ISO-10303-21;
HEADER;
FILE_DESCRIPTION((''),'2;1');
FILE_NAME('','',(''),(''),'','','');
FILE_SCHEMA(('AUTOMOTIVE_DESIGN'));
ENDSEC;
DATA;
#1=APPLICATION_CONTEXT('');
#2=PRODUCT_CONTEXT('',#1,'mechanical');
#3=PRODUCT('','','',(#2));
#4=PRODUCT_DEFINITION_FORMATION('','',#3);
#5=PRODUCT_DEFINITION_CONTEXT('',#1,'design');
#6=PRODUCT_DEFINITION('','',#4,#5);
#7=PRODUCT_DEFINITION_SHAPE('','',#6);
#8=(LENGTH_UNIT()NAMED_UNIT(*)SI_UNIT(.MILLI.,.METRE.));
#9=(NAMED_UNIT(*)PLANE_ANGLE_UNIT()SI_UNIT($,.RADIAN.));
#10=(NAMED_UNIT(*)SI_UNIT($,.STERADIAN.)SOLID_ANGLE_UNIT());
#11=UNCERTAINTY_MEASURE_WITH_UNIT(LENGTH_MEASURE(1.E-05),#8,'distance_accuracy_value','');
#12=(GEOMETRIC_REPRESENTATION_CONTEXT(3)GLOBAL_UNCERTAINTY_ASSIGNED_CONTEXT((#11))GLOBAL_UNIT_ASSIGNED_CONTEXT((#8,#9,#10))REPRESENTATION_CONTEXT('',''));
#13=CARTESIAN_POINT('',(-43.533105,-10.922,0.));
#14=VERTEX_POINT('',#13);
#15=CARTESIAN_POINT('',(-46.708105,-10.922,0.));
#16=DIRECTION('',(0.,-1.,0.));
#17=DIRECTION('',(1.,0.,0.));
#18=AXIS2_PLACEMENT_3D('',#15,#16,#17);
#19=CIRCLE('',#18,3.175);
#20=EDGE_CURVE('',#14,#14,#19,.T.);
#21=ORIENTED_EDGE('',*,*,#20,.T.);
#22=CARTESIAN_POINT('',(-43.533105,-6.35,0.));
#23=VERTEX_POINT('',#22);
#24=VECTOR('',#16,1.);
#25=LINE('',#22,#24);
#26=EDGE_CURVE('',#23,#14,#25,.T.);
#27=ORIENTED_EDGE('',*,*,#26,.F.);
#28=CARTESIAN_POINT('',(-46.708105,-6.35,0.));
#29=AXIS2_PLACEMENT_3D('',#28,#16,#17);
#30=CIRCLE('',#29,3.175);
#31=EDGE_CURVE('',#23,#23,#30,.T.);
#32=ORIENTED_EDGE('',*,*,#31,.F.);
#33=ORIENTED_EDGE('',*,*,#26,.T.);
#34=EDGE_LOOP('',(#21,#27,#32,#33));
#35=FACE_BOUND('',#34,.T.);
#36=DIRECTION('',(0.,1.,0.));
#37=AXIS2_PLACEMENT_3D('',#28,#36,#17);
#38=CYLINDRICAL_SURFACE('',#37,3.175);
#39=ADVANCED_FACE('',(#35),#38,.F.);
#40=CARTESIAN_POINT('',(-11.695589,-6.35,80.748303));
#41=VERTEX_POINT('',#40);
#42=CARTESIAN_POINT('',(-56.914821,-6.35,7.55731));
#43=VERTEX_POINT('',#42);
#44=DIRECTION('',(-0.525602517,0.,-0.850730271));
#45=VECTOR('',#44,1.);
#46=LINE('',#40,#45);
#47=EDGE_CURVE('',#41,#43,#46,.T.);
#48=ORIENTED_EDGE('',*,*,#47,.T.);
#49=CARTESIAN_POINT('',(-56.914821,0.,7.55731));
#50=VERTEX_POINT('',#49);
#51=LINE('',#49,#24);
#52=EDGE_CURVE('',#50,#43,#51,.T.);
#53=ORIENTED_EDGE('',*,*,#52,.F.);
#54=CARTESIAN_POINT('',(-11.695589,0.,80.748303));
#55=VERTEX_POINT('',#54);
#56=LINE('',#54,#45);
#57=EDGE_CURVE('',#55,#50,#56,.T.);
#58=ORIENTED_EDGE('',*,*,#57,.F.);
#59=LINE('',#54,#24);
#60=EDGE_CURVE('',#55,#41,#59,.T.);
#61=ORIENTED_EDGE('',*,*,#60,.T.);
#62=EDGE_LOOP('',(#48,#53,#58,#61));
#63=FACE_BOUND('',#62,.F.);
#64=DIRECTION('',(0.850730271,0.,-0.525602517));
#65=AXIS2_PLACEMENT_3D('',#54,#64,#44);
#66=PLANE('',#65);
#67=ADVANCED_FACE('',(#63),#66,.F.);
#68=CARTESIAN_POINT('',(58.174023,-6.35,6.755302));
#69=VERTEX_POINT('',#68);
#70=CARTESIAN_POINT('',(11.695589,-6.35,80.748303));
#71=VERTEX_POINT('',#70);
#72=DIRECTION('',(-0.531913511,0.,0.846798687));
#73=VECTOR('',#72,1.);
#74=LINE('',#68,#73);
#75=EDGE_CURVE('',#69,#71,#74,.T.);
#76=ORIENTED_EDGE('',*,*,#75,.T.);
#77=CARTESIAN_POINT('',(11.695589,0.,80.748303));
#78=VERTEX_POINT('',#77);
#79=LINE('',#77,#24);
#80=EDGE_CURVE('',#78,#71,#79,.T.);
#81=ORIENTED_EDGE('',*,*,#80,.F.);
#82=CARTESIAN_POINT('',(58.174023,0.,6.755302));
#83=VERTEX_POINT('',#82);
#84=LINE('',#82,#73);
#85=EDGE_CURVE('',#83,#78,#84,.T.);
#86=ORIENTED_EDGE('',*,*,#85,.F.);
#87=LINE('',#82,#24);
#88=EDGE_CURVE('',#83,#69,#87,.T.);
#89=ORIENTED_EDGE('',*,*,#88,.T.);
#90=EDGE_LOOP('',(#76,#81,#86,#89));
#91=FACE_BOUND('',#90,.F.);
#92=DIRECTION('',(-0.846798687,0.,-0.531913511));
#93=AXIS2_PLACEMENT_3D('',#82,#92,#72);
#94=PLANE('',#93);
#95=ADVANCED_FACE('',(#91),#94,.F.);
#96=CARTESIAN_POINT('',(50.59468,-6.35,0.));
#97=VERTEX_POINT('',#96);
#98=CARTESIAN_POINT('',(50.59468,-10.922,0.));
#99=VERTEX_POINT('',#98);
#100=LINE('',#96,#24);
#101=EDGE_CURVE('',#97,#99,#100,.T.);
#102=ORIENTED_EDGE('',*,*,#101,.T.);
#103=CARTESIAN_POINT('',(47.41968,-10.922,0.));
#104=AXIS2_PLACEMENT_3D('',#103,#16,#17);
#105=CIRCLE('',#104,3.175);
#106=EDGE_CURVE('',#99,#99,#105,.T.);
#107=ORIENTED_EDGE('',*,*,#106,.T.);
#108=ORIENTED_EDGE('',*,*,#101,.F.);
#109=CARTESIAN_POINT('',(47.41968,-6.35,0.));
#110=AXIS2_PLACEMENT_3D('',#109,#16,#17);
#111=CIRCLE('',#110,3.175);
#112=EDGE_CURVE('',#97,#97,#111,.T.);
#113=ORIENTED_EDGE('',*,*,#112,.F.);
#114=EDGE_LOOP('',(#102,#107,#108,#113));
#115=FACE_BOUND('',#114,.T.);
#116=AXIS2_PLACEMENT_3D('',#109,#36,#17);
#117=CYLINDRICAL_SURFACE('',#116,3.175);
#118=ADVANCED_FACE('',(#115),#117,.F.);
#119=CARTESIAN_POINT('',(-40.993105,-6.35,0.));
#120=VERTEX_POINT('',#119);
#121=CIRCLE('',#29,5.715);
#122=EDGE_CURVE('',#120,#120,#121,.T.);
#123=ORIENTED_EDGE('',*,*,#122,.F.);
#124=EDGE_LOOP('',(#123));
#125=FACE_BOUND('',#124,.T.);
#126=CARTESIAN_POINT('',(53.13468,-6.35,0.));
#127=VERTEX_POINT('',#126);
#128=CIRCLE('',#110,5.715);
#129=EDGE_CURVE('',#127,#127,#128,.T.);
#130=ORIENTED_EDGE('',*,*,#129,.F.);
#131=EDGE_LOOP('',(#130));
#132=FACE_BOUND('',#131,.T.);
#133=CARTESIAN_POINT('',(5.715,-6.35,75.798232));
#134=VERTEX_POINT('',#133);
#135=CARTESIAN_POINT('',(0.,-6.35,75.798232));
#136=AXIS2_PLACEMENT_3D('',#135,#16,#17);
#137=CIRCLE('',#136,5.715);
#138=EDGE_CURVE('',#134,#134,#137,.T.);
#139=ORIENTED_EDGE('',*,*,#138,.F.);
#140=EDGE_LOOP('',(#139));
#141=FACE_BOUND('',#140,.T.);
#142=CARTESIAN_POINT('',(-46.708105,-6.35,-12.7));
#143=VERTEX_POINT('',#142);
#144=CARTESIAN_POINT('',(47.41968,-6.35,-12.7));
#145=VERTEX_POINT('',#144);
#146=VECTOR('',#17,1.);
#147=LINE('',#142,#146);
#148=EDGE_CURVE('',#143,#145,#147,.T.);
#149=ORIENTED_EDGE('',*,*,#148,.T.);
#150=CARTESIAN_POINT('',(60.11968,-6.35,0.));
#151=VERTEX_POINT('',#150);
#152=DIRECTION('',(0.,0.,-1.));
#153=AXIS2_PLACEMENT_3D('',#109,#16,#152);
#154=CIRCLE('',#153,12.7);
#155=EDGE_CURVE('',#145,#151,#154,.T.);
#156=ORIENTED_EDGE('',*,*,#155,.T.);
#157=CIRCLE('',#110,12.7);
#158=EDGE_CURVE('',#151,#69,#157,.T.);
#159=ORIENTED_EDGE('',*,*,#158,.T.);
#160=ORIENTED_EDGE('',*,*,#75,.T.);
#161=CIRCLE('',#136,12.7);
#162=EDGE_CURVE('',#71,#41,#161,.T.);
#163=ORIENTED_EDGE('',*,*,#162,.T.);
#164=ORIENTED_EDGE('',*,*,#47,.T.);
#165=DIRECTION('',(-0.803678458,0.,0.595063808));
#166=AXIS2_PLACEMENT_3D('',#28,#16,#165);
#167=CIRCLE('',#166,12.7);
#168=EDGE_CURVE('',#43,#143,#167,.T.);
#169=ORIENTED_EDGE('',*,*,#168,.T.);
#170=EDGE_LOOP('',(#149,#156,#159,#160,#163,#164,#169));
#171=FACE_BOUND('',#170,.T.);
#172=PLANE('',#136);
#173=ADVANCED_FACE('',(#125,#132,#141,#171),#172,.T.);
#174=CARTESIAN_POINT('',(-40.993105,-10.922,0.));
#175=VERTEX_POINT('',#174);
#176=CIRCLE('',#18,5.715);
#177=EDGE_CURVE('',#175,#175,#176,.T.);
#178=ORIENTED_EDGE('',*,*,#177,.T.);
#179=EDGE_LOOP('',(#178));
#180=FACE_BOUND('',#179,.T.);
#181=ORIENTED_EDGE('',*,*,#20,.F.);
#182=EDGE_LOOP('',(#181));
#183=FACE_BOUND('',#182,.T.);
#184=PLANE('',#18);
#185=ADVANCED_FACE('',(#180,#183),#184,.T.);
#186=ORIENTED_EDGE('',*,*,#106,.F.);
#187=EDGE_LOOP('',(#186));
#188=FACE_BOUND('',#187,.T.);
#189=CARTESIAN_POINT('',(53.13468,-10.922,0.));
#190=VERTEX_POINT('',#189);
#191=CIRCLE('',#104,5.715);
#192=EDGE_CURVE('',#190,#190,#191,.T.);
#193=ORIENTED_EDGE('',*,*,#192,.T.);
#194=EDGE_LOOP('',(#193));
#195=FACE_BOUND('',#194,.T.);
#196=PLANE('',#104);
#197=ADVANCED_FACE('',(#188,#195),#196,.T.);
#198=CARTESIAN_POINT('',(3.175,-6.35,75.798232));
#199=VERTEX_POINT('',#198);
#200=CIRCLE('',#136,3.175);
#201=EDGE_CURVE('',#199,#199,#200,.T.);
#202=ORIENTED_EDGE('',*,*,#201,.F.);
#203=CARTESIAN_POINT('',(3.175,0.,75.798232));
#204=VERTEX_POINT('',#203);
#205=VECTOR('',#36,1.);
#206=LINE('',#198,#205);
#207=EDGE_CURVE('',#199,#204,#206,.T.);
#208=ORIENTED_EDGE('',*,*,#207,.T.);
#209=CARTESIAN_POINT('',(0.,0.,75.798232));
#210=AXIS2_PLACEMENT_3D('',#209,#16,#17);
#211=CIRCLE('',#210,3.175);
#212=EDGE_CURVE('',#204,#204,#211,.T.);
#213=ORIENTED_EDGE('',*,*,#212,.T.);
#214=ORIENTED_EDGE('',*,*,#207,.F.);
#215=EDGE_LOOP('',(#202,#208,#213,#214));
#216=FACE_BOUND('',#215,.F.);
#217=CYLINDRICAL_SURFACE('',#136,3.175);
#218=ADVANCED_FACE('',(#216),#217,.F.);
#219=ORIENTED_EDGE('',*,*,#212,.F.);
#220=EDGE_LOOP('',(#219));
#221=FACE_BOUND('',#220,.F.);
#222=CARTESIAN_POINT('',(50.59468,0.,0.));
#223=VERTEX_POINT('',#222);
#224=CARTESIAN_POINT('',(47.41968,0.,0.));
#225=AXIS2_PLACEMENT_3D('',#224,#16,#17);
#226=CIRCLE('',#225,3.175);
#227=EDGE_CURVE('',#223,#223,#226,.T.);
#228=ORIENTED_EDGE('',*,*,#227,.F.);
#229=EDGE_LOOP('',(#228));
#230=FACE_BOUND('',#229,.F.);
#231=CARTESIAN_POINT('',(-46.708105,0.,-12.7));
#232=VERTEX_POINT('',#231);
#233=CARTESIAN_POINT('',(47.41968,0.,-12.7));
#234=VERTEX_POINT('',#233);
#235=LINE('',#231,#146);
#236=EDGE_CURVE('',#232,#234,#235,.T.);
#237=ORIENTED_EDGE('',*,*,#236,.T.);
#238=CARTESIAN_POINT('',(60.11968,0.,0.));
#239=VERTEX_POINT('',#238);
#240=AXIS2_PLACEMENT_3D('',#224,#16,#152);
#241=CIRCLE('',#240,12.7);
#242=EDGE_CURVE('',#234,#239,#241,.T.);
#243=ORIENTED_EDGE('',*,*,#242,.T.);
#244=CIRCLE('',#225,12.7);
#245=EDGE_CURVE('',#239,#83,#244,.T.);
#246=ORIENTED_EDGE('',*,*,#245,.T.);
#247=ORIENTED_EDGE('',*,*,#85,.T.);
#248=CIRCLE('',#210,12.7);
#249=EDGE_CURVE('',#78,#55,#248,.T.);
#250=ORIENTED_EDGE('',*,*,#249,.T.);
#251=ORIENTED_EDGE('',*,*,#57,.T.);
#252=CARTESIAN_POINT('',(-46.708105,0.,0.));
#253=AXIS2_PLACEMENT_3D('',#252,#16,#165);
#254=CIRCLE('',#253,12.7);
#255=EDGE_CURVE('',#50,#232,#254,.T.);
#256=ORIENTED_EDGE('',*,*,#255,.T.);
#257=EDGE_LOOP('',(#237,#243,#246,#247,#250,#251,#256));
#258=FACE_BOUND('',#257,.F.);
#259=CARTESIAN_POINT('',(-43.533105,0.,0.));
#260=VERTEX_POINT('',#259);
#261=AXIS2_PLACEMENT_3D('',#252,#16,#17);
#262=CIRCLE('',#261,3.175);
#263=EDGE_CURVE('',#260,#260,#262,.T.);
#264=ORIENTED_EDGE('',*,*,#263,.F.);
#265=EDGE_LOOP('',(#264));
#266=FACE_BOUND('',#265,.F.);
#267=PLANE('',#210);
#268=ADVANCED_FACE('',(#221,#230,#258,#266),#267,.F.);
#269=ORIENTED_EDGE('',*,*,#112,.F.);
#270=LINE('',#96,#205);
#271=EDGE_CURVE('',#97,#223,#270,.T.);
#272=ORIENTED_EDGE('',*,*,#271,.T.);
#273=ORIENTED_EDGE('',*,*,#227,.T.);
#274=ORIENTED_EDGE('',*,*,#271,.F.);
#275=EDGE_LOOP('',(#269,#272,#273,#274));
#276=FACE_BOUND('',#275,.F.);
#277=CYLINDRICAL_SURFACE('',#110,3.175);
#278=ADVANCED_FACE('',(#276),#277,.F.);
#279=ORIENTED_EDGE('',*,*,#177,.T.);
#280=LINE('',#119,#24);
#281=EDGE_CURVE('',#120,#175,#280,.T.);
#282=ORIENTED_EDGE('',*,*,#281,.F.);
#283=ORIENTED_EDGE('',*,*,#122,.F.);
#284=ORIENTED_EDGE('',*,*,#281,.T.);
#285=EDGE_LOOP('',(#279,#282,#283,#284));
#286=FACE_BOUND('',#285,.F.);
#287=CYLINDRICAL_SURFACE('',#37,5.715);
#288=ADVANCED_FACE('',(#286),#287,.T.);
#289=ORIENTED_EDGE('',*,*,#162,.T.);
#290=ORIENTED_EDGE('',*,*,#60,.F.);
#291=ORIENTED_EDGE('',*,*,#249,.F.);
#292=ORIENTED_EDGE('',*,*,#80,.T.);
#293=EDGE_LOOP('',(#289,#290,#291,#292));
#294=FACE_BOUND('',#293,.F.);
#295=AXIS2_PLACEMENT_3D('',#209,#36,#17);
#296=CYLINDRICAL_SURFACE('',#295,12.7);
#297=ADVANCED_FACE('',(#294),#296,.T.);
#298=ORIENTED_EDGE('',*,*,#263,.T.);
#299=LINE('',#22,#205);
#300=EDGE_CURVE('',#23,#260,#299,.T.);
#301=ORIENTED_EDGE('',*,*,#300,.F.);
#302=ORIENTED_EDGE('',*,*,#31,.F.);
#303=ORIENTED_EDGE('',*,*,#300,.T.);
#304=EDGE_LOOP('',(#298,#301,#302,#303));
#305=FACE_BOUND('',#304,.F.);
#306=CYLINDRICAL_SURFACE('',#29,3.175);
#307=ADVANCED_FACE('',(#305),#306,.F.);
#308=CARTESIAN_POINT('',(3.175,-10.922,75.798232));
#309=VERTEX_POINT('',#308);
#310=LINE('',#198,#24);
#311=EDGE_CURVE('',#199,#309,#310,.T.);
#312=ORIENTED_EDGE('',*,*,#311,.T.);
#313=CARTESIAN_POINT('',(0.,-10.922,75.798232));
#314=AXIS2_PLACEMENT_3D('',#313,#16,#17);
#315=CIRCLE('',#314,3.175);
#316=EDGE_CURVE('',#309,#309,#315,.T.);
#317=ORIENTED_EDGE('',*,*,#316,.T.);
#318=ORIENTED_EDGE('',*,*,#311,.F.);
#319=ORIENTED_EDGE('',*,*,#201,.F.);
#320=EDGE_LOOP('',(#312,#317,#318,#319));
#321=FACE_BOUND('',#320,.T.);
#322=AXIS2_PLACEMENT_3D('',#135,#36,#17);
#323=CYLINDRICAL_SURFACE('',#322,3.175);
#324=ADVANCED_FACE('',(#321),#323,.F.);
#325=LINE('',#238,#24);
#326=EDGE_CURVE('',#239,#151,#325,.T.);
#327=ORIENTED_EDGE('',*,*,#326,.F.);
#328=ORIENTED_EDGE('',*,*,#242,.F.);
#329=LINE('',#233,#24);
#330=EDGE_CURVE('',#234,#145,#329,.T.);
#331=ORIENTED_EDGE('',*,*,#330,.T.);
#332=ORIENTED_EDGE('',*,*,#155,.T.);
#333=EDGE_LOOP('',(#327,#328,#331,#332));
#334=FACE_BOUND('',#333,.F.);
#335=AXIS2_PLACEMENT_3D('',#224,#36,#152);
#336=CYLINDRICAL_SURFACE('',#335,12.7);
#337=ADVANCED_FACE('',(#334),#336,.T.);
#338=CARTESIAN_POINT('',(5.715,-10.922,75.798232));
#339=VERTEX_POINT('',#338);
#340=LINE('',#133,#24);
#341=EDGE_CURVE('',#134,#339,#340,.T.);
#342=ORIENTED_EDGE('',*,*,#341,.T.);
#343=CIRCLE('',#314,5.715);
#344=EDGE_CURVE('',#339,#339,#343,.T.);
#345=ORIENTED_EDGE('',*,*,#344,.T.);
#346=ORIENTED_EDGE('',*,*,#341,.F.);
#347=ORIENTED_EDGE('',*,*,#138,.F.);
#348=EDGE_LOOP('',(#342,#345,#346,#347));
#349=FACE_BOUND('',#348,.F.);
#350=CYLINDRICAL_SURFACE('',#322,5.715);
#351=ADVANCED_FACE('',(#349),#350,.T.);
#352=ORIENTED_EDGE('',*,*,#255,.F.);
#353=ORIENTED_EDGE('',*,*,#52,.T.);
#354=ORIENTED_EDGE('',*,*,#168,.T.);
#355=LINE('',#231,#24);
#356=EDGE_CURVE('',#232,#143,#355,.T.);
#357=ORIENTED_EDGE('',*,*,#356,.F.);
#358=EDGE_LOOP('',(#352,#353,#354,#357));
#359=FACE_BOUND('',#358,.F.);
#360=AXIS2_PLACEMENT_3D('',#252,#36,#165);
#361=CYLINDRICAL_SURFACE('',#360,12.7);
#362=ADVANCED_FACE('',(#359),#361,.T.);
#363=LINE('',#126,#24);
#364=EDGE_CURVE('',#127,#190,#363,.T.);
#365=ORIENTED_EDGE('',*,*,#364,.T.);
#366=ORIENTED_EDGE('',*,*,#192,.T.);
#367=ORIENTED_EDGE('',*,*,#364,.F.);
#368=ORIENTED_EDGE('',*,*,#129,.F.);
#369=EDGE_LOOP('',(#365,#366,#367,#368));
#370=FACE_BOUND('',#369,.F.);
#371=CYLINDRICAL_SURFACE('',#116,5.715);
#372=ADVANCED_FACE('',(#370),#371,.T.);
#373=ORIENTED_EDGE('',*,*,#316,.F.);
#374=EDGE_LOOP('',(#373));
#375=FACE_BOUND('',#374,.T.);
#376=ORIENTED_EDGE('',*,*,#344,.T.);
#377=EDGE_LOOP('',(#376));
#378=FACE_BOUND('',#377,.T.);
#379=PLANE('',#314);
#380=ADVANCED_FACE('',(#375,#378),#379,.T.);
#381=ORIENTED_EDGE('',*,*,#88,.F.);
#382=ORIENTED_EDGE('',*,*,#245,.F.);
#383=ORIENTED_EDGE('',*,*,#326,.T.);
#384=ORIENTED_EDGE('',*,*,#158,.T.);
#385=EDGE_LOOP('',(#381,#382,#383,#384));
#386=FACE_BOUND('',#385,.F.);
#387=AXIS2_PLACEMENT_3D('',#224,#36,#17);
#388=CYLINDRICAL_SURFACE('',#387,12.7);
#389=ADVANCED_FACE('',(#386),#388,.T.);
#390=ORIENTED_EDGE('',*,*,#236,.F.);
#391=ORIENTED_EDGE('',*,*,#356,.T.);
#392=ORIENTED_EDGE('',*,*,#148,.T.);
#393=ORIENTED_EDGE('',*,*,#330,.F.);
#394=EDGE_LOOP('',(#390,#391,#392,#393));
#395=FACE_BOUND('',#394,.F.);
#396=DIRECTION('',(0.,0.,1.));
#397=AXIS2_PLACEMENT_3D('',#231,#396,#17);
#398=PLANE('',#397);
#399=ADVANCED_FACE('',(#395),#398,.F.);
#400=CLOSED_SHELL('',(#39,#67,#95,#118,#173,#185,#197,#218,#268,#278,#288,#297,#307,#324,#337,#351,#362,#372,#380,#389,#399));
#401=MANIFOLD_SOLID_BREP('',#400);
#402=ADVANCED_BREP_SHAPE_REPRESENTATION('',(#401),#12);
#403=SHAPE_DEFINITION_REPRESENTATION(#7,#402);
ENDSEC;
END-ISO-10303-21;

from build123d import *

# Parameters (mm, degrees)
F1_DEPTH = 6.35
F2_R     = 3.175
F3_DEPTH = 25.4
F2_R_2   = 5.715
F4_DEPTH = 4.572


with BuildPart() as f1:
    # F0 (on Front) → F1 (new body)
    with BuildSketch(Plane.XZ):
        with BuildLine():
            ThreePointArc((-11.6955887006, 80.7483033067), (-2.5254725798, 63.3518676414), (12.7, 75.7982321005))
            ThreePointArc((12.7, 75.7982321005), (12.4463644591, 78.3237046803), (11.6955887006, 80.7483033067))
            ThreePointArc((11.6955887006, 80.7483033067), (0, 88.4982321005), (-11.6955887006, 80.7483033067))
        make_face()
        with BuildLine():
            ThreePointArc((11.6955887006, 80.7483033067), (12.4463644591, 78.3237046803), (12.7, 75.7982321005))
            ThreePointArc((12.7, 75.7982321005), (-2.5254725798, 63.3518676414), (-11.6955887006, 80.7483033067))
            Line((-11.6955887006, 80.7483033067), (-56.9148214828, 7.5573103616))
            ThreePointArc((-56.9148214828, 7.5573103616), (-42.7291164055, 12.06058246), (-34.0081050618, 0))
            ThreePointArc((-34.0081050618, 0), (-37.7278489407, -8.9802561211), (-46.7081050618, -12.7))
            Line((-46.7081050618, -12.7), (47.4196799213, -12.7))
            ThreePointArc((47.4196799213, -12.7), (36.3047725839, 6.1440080469), (58.1740232476, 6.7553015936))
            Line((58.1740232476, 6.7553015936), (11.6955887006, 80.7483033067))
        make_face()
        with BuildLine():
            Line((47.4196799213, -12.7), (58.1740232476, 6.7553015936))
            ThreePointArc((58.1740232476, 6.7553015936), (36.3047725839, 6.1440080469), (47.4196799213, -12.7))
        make_face()
        with BuildLine():
            ThreePointArc((60.1196799213, 0), (59.6235760255, 3.5149565969), (58.1740232476, 6.7553015936))
            Line((58.1740232476, 6.7553015936), (47.4196799213, -12.7))
            ThreePointArc((47.4196799213, -12.7), (56.3999360424, -8.9802561211), (60.1196799213, 0))
        make_face()
        with BuildLine():
            Line((-46.7081050618, -12.7), (-56.9148214828, 7.5573103616))
            ThreePointArc((-56.9148214828, 7.5573103616), (-58.0497945654, -5.7145497814), (-46.7081050618, -12.7))
        make_face()
        with BuildLine():
            ThreePointArc((-34.0081050618, 0), (-42.7291164055, 12.06058246), (-56.9148214828, 7.5573103616))
            Line((-56.9148214828, 7.5573103616), (-46.7081050618, -12.7))
            ThreePointArc((-46.7081050618, -12.7), (-37.7278489407, -8.9802561211), (-34.0081050618, 0))
        make_face()
    extrude(amount=F1_DEPTH)

    # F2 (on face) → F3 (cut)
    with BuildSketch(Plane.XZ.offset(6.35)):
        with Locations((-46.7081050618, 0)):
            Circle(F2_R)
        with Locations((47.4196799213, 0)):
            Circle(F2_R)
        with Locations((0, 75.7982321005)):
            Circle(F2_R)
    extrude(amount=-F3_DEPTH, mode=Mode.SUBTRACT)

    # F2 (on face) → F4 (join)
    with BuildSketch(Plane.XZ.offset(6.35)):
        with Locations((47.4196799213, 0)):
            Circle(F2_R_2)
        with Locations((47.4196799213, 0)):
            Circle(F2_R, mode=Mode.SUBTRACT)
        with Locations((-46.7081050618, 0)):
            Circle(F2_R_2)
        with Locations((-46.7081050618, 0)):
            Circle(F2_R, mode=Mode.SUBTRACT)
        with Locations((0, 75.7982321005)):
            Circle(F2_R_2)
        with Locations((0, 75.7982321005)):
            Circle(F2_R, mode=Mode.SUBTRACT)
    extrude(amount=F4_DEPTH)


solid = f1.part
